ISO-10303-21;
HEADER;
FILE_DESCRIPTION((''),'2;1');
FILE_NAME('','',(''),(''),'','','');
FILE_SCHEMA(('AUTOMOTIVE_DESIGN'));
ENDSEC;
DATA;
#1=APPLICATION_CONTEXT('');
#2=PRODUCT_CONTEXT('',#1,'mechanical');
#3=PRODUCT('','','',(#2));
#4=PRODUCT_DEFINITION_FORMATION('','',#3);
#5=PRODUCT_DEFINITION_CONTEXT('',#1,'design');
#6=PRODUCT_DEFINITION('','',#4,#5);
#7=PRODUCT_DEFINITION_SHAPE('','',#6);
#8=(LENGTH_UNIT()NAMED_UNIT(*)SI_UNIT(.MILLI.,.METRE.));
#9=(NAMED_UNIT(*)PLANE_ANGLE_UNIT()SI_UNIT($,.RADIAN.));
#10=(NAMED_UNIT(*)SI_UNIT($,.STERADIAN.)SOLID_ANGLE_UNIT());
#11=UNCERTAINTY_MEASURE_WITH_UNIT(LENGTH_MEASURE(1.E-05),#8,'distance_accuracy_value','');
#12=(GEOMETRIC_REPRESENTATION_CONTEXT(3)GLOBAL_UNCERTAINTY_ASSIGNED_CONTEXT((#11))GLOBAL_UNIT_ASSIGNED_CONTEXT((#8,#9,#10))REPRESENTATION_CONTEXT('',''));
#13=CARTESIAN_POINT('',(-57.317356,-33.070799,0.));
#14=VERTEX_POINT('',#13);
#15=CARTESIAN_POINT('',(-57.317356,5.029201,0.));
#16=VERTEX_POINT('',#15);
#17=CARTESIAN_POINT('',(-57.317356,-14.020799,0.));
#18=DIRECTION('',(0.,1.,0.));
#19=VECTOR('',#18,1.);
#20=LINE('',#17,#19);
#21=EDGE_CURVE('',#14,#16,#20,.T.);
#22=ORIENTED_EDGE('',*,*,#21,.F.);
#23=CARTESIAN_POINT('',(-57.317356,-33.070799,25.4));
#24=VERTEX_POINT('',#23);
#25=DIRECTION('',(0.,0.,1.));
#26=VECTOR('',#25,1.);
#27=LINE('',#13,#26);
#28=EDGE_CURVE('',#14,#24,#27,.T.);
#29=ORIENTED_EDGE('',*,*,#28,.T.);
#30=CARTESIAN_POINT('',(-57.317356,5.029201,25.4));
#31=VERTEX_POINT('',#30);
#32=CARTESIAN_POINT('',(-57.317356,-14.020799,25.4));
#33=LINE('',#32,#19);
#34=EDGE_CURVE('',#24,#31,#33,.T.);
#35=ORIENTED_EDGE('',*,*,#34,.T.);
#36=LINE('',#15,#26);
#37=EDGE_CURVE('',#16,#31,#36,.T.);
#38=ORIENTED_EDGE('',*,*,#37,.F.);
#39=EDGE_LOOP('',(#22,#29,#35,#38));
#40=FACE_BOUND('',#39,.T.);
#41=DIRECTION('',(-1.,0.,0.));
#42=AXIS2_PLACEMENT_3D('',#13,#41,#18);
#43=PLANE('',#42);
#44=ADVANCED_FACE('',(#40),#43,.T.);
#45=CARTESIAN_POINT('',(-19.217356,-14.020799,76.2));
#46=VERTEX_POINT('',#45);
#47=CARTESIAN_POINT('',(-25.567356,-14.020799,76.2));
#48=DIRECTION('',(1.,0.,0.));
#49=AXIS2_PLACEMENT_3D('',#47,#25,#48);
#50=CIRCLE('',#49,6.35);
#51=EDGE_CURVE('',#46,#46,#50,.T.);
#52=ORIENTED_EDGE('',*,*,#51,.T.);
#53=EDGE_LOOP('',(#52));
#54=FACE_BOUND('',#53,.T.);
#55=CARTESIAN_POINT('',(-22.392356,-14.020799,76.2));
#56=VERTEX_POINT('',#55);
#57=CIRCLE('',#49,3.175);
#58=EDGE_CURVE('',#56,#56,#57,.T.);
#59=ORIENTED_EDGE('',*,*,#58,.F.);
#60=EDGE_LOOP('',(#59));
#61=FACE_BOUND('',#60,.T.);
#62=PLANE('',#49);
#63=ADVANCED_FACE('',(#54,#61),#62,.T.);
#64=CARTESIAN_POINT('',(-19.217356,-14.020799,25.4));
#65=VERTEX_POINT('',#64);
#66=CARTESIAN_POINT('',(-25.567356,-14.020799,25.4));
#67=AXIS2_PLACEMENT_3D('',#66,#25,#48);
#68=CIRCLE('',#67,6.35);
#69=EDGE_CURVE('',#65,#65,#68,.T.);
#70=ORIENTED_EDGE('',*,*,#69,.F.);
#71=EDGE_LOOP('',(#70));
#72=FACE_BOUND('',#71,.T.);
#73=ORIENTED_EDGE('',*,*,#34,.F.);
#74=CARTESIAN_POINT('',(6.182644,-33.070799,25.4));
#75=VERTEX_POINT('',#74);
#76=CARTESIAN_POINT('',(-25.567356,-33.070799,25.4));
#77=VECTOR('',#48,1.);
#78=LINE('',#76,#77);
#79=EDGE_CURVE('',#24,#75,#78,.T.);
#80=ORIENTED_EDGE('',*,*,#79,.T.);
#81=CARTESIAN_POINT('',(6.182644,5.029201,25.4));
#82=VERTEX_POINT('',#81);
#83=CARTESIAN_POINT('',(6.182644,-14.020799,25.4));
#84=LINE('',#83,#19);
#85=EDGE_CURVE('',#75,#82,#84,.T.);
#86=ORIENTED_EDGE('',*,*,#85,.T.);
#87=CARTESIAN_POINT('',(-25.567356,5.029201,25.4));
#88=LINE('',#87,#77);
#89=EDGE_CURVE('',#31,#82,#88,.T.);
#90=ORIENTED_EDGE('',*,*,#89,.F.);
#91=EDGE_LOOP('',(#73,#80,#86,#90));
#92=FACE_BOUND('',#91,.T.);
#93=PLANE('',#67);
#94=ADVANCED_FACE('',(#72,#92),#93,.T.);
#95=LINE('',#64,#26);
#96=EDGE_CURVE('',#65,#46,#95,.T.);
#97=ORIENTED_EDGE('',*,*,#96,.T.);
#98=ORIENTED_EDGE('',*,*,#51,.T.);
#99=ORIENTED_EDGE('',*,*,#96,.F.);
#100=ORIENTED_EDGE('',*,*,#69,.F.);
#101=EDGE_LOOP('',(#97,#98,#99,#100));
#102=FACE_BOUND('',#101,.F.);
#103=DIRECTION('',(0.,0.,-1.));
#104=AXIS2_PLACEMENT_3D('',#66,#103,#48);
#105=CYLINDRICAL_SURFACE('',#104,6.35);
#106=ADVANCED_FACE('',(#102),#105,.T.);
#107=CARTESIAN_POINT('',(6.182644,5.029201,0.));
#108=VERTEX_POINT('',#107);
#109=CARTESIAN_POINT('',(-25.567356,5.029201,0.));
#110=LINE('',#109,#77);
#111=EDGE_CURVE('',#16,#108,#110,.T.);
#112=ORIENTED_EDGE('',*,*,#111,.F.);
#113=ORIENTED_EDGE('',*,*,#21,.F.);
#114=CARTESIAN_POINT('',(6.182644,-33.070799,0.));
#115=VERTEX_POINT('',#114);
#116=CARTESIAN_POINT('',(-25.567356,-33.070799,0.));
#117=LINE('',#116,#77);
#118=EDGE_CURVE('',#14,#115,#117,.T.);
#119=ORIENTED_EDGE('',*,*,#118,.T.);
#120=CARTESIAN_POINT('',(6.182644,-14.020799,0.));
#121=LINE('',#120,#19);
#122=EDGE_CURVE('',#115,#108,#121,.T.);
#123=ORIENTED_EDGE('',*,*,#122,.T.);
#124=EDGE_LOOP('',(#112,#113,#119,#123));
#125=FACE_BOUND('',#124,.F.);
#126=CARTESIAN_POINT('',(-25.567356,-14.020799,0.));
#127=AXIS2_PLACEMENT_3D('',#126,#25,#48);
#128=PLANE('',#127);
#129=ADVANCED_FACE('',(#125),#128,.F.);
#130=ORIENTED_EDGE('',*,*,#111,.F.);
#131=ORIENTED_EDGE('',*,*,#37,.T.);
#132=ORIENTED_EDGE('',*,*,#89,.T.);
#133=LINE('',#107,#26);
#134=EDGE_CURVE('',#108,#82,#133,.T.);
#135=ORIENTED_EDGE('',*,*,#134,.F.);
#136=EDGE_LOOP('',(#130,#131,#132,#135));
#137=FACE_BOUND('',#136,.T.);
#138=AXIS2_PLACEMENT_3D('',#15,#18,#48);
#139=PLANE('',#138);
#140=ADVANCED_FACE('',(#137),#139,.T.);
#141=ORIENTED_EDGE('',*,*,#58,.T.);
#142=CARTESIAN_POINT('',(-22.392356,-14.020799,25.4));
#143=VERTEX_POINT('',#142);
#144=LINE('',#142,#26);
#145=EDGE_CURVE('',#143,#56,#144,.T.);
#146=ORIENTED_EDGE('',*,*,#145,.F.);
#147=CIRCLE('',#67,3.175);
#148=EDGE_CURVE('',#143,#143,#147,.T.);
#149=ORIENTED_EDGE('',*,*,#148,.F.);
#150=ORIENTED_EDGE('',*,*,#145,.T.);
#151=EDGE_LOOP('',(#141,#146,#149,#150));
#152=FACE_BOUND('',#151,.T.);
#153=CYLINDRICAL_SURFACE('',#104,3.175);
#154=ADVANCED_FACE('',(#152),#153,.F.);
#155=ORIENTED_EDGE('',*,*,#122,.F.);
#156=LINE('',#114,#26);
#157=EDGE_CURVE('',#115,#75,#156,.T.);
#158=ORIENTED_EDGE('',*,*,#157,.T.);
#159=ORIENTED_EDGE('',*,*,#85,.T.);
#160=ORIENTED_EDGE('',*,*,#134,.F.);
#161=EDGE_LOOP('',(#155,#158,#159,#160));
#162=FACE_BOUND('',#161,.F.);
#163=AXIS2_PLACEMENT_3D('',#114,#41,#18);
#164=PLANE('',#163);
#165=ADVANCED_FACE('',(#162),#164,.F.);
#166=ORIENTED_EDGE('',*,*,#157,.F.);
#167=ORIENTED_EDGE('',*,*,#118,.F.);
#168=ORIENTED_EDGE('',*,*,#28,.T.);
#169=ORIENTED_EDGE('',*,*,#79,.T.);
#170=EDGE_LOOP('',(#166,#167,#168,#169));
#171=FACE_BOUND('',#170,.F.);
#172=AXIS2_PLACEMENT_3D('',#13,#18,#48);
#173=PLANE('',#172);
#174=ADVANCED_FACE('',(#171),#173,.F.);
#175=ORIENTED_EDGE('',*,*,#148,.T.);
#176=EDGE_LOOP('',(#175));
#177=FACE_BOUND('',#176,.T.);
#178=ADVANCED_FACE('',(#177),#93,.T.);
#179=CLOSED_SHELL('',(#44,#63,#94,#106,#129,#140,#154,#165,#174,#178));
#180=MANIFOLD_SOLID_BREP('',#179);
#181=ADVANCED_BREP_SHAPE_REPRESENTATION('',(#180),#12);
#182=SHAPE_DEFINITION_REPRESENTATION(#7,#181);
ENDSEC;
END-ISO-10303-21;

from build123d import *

# Parameters (mm, degrees)
F0_W     = 63.5
F0_H     = 38.1
F1_DEPTH = 25.4
F2_R     = 6.35
F2_R_2   = 3.175
F3_DEPTH = 50.8


with BuildPart() as f1:
    # F0 (on Top) → F1 (new body)
    with BuildSketch(Plane.XY):
        with Locations((-25.567356, -14.020799)):
            Rectangle(F0_W, F0_H)
    extrude(amount=F1_DEPTH)

    # F2 (on face) → F3 (join)
    with BuildSketch(Plane.XY.offset(25.4)):
        with Locations((-25.567356, -14.020799)):
            Circle(F2_R)
        with Locations((-25.567356, -14.020799)):
            Circle(F2_R_2, mode=Mode.SUBTRACT)
    extrude(amount=F3_DEPTH)


solid = f1.part
